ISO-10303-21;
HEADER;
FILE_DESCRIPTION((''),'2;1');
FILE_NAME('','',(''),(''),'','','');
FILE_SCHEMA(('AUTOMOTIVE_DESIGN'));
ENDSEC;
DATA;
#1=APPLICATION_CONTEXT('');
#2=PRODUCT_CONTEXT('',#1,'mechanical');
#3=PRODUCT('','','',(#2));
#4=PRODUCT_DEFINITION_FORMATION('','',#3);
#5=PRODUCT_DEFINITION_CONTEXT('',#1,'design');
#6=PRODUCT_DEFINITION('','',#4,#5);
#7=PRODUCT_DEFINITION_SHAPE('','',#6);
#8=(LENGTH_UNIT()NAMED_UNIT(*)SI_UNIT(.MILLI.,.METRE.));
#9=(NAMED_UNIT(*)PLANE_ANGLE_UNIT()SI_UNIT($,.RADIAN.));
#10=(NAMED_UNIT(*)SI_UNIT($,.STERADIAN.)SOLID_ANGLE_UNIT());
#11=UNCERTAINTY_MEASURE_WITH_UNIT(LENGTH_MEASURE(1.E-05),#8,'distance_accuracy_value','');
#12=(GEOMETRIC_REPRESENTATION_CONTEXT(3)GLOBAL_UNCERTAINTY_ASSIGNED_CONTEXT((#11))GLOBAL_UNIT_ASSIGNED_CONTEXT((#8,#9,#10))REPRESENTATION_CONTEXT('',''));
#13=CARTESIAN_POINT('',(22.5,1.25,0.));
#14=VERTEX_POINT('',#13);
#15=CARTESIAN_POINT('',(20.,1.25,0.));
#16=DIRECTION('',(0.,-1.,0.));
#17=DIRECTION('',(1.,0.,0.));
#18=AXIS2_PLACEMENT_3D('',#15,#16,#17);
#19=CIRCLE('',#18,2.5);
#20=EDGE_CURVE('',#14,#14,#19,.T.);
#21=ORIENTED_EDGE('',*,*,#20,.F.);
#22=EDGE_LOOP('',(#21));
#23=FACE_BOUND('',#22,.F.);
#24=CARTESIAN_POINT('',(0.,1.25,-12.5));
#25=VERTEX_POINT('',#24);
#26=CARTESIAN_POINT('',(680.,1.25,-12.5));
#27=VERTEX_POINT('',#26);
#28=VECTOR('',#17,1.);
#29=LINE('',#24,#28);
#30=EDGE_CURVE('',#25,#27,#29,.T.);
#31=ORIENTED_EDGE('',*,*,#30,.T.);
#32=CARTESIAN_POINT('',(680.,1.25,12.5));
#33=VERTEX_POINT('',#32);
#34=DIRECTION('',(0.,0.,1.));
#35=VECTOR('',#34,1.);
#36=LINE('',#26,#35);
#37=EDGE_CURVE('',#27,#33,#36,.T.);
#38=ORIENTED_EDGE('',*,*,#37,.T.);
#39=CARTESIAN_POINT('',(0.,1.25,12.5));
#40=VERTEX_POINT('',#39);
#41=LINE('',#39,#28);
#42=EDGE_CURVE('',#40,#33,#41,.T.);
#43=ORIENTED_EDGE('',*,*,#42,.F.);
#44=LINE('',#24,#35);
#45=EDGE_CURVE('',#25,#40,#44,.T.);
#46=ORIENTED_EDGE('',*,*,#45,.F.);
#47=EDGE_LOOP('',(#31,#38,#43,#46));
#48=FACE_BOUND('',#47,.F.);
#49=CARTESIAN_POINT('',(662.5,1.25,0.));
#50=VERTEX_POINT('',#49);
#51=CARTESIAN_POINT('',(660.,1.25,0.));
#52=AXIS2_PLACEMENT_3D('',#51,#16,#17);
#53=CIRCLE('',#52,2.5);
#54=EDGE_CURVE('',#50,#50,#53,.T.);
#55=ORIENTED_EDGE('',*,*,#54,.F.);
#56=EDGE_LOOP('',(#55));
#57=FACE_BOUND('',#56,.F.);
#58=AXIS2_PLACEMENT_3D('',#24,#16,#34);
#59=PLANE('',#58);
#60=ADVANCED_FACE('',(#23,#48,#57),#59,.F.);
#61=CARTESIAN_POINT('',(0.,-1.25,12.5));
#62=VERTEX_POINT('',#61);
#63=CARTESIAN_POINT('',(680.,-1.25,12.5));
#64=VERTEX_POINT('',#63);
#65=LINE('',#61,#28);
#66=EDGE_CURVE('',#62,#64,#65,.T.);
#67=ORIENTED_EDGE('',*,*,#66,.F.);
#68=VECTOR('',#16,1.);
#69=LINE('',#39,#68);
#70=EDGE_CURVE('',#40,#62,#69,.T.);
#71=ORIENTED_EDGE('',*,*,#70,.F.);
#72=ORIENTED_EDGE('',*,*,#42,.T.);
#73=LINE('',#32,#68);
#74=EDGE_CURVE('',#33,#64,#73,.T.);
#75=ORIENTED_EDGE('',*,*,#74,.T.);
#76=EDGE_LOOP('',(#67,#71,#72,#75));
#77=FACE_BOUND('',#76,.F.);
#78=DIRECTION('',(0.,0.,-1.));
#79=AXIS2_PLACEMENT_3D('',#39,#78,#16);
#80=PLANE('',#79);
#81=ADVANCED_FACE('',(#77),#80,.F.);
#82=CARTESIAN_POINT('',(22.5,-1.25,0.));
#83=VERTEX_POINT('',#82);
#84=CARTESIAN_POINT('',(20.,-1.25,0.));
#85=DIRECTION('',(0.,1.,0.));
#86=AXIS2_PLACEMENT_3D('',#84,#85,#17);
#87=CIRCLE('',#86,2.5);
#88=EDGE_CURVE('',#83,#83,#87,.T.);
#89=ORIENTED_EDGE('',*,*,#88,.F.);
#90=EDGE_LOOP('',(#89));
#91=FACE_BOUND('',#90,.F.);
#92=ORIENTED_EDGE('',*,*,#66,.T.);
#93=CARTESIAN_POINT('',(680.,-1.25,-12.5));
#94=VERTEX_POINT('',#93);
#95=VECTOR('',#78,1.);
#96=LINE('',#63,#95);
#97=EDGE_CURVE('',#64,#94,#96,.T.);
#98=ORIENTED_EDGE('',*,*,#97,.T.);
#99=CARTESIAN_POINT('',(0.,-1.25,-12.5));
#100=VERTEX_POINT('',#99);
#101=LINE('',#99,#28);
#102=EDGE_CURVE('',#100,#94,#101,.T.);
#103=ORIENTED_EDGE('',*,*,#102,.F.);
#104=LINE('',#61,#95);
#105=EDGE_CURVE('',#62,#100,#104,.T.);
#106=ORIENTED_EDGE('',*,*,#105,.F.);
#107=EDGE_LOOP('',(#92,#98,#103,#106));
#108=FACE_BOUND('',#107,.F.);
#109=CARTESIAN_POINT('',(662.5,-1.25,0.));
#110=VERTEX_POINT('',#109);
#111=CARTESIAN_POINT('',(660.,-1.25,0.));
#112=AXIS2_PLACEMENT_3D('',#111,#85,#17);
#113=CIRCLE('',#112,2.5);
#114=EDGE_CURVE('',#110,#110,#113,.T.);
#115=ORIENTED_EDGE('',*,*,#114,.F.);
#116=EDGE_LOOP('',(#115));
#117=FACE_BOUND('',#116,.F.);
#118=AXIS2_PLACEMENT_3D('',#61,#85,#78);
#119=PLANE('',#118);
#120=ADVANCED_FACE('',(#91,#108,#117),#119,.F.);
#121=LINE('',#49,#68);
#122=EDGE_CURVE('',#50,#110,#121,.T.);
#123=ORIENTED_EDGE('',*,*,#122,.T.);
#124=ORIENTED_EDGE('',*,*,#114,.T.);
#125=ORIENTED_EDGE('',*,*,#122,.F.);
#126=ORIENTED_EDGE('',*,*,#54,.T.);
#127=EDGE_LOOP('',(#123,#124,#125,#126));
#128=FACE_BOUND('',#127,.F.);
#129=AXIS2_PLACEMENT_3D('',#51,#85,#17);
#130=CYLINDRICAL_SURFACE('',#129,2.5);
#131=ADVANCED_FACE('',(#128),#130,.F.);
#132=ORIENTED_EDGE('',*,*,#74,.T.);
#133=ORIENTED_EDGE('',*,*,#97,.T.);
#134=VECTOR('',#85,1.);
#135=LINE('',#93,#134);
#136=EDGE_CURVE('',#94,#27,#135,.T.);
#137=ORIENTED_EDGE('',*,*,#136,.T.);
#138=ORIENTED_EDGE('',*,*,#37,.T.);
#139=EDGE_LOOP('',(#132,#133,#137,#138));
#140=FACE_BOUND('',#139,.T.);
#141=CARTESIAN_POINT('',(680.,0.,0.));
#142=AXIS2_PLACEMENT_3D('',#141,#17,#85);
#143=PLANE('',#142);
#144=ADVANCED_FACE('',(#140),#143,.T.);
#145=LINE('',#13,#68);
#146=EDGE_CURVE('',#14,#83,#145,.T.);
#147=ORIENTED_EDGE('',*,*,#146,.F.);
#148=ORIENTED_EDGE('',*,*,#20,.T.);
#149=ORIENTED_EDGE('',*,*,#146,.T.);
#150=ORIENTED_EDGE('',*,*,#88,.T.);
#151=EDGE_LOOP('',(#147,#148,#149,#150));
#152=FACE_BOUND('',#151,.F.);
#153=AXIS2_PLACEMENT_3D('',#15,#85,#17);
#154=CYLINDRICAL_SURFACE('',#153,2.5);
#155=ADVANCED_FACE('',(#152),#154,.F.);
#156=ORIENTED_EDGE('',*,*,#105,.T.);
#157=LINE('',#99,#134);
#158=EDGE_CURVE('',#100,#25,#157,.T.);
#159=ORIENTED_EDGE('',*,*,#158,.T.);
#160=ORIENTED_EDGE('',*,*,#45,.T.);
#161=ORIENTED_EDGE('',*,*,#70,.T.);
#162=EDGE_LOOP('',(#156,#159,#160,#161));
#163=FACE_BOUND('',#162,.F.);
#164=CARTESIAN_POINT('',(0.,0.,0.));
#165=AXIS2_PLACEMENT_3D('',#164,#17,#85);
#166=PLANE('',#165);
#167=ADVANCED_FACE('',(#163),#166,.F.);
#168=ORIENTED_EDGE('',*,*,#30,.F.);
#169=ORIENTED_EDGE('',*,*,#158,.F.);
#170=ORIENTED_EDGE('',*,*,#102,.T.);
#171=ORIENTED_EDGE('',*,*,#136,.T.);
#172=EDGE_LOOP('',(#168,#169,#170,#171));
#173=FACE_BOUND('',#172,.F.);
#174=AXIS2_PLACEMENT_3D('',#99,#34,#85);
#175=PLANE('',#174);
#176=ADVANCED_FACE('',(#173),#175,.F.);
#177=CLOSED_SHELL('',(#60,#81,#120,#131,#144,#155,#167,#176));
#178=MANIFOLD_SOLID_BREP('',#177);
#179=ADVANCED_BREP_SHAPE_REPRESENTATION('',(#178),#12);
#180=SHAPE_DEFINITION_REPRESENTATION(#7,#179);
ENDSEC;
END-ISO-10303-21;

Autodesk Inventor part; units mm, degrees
ref_plane "YZ Plane" through (0, 0, 0) normal (1, 0, 0) x (0, 1, 0)
ref_plane "XZ Plane" through (0, 0, 0) normal (0, 1, 0) x (-1, 0, 0)
ref_plane "XY Plane" through (0, 0, 0) normal (0, 0, 1) x (1, 0, 0)
sketch "Sketch1" plane through (0, 0, 0) normal (1, 0, 0) x (0, 1, 0)
  line L0 (1.25, 12.5) -> (-1.25, 12.5)
  line L1 (-1.25, 12.5) -> (-1.25, -12.5)
  line L2 (-1.25, -12.5) -> (1.25, -12.5)
  line L3 (1.25, -12.5) -> (1.25, 12.5)
  line L4 (1.25, 12.5) -> (-1.25, -12.5) construction
  line L5 (-1.25, 12.5) -> (1.25, -12.5) construction
  point P0 (0, 0)
  dimension "d0" = 2.5
  dimension "d1" = 25
extrude "Extrusion1" add sketch "Sketch1" along normal blind 680
sketch "Sketch2" plane through (0, 1.25, 12.5) normal (0, 1, 0) x (1, 0, 0)
  line L0 (0, 12.5) -> (20, 12.5)
  line L1 (20, 12.5) -> (660, 12.5)
  circle A0 centre (20, 12.5) radius 2.5
  circle A1 centre (660, 12.5) radius 2.5
  dimension "d4" = 20
  dimension "d5" = 640
  dimension "d6" = 5
  dimension "d7" = 5
extrude "Extrusion2" cut sketch "Sketch2" against normal blind 680
properties part number "PLETINA PARA GUIA CILINDRICA"
